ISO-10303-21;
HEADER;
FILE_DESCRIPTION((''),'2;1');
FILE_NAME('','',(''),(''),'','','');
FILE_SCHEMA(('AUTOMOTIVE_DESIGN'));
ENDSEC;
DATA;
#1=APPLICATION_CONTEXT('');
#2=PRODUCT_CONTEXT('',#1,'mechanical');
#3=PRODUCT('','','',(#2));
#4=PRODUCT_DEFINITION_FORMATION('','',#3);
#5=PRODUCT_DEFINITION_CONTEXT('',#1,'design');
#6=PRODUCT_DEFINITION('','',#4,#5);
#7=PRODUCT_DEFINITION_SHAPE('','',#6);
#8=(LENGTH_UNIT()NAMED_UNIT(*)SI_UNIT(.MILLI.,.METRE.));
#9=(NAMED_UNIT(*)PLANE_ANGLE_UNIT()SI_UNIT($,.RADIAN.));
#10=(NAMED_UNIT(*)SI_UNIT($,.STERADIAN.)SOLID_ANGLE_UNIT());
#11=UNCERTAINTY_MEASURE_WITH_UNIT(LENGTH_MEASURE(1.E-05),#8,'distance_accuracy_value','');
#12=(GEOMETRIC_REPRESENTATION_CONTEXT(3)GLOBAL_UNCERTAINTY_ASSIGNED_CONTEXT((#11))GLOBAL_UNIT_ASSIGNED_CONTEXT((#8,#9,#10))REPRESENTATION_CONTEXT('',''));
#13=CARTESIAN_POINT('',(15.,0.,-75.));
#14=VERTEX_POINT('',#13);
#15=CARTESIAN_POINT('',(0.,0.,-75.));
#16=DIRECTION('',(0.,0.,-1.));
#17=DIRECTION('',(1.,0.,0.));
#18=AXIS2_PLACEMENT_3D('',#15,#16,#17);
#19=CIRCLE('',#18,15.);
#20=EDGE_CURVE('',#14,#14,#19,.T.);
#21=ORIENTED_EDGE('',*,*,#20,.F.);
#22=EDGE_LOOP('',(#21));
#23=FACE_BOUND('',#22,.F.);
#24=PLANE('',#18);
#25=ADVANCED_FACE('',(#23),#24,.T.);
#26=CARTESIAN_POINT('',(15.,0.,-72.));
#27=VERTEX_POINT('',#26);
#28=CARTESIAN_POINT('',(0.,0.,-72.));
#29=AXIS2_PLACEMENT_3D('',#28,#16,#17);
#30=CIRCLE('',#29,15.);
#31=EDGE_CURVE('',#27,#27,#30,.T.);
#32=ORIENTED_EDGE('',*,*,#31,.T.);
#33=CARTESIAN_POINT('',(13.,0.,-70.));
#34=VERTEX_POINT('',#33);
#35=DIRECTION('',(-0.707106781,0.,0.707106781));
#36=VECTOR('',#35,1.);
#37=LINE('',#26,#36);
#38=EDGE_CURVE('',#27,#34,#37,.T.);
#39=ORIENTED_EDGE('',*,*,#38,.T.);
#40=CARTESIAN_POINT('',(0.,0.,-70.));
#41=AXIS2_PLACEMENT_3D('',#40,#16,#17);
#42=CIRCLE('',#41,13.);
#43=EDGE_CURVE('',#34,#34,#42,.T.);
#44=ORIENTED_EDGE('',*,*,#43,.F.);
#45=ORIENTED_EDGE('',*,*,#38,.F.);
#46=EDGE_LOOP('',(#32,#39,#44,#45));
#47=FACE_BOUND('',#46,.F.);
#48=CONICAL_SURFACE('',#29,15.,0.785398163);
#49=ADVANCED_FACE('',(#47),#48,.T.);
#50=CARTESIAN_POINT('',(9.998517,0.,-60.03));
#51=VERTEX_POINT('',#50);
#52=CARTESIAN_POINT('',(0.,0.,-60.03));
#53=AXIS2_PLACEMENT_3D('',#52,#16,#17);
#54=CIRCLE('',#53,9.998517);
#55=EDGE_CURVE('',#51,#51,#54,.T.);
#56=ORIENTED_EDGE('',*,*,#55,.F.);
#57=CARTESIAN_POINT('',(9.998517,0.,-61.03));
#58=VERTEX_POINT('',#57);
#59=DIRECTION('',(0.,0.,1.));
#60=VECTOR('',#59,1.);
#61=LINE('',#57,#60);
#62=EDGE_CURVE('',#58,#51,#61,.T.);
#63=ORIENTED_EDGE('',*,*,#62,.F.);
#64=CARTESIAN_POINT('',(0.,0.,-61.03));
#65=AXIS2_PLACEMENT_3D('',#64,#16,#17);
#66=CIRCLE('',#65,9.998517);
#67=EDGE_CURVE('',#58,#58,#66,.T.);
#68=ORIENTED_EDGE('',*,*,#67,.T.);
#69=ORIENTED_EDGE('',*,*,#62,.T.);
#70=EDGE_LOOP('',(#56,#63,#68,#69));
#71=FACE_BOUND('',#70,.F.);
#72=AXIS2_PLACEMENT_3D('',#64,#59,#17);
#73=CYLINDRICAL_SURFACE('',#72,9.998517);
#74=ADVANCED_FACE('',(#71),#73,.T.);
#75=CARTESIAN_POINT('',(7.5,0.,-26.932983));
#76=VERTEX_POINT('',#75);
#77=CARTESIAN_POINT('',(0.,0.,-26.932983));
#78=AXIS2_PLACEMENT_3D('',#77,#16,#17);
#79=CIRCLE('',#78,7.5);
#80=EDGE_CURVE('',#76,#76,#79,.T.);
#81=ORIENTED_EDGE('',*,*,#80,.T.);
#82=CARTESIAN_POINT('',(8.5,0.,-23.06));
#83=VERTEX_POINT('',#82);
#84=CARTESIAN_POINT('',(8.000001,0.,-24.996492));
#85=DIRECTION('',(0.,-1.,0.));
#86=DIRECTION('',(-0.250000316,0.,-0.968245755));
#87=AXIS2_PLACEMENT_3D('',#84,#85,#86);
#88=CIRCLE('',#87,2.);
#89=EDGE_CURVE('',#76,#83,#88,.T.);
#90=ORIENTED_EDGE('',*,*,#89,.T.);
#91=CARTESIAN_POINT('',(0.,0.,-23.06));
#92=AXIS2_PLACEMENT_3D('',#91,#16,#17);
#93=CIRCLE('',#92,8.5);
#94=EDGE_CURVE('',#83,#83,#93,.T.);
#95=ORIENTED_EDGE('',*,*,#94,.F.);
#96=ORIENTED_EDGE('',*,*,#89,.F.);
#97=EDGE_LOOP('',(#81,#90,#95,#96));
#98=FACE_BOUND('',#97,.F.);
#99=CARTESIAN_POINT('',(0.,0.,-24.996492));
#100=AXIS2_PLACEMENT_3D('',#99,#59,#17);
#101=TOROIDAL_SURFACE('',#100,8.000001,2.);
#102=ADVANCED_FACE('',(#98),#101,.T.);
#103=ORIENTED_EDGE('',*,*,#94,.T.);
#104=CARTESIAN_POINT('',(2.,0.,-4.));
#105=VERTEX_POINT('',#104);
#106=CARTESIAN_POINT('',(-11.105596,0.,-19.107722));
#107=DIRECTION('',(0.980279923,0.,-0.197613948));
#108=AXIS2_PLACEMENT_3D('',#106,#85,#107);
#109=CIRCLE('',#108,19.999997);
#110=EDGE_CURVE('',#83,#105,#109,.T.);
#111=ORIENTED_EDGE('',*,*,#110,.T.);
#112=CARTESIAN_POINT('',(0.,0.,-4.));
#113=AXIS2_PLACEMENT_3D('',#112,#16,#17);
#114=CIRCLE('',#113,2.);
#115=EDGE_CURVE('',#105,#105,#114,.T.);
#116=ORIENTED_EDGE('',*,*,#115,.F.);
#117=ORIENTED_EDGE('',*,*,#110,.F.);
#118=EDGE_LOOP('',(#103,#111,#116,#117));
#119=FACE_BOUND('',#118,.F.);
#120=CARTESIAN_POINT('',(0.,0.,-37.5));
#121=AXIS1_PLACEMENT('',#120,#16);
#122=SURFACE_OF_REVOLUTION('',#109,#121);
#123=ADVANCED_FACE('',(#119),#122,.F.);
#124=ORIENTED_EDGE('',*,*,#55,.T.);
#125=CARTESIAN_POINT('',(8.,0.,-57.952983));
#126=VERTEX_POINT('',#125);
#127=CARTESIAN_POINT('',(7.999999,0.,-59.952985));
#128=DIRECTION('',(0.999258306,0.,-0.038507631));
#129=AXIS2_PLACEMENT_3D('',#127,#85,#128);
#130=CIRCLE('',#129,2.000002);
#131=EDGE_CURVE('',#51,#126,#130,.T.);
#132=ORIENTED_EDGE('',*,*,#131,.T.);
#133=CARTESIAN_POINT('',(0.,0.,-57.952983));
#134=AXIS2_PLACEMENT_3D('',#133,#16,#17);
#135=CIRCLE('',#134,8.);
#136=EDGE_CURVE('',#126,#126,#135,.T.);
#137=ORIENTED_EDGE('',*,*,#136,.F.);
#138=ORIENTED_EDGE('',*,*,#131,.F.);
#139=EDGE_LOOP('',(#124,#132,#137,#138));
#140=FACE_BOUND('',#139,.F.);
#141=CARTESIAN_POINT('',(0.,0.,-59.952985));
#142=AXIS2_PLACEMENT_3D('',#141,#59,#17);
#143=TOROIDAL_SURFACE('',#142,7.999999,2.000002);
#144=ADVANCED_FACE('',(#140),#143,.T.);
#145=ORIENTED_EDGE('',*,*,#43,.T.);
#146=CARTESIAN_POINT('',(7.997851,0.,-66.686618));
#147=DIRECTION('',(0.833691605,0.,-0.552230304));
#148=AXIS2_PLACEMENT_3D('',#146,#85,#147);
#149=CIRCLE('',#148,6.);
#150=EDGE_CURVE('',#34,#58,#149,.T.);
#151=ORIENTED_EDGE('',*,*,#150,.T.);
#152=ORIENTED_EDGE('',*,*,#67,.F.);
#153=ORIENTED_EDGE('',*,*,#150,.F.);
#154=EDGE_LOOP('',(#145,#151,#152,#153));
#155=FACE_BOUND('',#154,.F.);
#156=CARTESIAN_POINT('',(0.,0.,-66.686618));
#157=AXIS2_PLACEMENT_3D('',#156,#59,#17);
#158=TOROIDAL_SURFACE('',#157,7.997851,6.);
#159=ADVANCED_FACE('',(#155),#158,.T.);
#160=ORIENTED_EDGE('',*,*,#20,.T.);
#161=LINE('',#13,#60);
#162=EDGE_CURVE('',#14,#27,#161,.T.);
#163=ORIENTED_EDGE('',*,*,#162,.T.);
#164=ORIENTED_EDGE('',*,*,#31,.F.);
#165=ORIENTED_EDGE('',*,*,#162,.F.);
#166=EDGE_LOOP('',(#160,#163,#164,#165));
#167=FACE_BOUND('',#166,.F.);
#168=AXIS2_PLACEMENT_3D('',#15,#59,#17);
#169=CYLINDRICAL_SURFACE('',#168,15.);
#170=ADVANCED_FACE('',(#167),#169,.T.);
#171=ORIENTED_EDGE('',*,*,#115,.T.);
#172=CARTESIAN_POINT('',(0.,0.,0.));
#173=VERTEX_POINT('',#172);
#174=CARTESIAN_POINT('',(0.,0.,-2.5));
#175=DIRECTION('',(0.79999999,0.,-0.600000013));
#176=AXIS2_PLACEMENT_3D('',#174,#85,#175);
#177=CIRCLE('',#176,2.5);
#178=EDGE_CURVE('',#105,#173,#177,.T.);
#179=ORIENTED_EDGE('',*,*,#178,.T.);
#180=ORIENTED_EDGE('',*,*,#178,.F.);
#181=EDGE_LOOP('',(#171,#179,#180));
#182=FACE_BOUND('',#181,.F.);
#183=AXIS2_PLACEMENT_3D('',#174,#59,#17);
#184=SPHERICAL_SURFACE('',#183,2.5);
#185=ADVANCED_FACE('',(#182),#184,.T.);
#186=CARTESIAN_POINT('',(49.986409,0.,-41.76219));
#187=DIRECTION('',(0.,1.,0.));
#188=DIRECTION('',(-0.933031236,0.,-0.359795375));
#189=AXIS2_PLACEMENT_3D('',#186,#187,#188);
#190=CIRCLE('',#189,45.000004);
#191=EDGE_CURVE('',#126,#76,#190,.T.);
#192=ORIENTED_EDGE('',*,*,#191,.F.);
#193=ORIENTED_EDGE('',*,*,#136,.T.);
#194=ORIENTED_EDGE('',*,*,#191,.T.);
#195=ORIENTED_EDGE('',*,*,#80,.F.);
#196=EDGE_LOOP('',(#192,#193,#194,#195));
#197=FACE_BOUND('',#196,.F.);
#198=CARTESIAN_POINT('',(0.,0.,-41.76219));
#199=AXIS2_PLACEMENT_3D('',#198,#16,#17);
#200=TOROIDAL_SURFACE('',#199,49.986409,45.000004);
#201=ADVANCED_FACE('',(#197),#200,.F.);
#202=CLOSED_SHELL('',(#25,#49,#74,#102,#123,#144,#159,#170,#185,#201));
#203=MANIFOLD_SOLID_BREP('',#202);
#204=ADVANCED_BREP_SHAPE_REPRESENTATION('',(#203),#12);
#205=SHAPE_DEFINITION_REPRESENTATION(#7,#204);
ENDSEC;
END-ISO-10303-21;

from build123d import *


with BuildPart() as f1:
    # F0 (on Front) → F1 (revolve)
    with BuildSketch(Plane.XZ):
        with BuildLine():
            ThreePointArc((2, -4), (2.236068, -1.381966), (0, 0))
            Line((0, 0), (0, -75))
            Line((0, -75), (15, -75))
            Line((15, -75), (15, -72))
            Line((15, -72), (13, -70))
            ThreePointArc((13, -70), (13.687761, -64.782697), (9.998517, -61.03))
            Line((9.998517, -61.03), (9.998517, -60.03))
            ThreePointArc((9.998517, -60.03), (9.441186, -58.566267), (8, -57.952983))
            ThreePointArc((8, -57.952983), (4.99225, -42.487435), (7.5, -26.932983))
            ThreePointArc((7.5, -26.932983), (9.936492, -25.496492), (8.5, -23.06))
            ThreePointArc((8.5, -23.06), (7.823916, -12.652222), (2, -4))
        make_face()
    revolve(axis=Axis((0, 0, -37.5), (0, 0, -1)))


solid = f1.part
